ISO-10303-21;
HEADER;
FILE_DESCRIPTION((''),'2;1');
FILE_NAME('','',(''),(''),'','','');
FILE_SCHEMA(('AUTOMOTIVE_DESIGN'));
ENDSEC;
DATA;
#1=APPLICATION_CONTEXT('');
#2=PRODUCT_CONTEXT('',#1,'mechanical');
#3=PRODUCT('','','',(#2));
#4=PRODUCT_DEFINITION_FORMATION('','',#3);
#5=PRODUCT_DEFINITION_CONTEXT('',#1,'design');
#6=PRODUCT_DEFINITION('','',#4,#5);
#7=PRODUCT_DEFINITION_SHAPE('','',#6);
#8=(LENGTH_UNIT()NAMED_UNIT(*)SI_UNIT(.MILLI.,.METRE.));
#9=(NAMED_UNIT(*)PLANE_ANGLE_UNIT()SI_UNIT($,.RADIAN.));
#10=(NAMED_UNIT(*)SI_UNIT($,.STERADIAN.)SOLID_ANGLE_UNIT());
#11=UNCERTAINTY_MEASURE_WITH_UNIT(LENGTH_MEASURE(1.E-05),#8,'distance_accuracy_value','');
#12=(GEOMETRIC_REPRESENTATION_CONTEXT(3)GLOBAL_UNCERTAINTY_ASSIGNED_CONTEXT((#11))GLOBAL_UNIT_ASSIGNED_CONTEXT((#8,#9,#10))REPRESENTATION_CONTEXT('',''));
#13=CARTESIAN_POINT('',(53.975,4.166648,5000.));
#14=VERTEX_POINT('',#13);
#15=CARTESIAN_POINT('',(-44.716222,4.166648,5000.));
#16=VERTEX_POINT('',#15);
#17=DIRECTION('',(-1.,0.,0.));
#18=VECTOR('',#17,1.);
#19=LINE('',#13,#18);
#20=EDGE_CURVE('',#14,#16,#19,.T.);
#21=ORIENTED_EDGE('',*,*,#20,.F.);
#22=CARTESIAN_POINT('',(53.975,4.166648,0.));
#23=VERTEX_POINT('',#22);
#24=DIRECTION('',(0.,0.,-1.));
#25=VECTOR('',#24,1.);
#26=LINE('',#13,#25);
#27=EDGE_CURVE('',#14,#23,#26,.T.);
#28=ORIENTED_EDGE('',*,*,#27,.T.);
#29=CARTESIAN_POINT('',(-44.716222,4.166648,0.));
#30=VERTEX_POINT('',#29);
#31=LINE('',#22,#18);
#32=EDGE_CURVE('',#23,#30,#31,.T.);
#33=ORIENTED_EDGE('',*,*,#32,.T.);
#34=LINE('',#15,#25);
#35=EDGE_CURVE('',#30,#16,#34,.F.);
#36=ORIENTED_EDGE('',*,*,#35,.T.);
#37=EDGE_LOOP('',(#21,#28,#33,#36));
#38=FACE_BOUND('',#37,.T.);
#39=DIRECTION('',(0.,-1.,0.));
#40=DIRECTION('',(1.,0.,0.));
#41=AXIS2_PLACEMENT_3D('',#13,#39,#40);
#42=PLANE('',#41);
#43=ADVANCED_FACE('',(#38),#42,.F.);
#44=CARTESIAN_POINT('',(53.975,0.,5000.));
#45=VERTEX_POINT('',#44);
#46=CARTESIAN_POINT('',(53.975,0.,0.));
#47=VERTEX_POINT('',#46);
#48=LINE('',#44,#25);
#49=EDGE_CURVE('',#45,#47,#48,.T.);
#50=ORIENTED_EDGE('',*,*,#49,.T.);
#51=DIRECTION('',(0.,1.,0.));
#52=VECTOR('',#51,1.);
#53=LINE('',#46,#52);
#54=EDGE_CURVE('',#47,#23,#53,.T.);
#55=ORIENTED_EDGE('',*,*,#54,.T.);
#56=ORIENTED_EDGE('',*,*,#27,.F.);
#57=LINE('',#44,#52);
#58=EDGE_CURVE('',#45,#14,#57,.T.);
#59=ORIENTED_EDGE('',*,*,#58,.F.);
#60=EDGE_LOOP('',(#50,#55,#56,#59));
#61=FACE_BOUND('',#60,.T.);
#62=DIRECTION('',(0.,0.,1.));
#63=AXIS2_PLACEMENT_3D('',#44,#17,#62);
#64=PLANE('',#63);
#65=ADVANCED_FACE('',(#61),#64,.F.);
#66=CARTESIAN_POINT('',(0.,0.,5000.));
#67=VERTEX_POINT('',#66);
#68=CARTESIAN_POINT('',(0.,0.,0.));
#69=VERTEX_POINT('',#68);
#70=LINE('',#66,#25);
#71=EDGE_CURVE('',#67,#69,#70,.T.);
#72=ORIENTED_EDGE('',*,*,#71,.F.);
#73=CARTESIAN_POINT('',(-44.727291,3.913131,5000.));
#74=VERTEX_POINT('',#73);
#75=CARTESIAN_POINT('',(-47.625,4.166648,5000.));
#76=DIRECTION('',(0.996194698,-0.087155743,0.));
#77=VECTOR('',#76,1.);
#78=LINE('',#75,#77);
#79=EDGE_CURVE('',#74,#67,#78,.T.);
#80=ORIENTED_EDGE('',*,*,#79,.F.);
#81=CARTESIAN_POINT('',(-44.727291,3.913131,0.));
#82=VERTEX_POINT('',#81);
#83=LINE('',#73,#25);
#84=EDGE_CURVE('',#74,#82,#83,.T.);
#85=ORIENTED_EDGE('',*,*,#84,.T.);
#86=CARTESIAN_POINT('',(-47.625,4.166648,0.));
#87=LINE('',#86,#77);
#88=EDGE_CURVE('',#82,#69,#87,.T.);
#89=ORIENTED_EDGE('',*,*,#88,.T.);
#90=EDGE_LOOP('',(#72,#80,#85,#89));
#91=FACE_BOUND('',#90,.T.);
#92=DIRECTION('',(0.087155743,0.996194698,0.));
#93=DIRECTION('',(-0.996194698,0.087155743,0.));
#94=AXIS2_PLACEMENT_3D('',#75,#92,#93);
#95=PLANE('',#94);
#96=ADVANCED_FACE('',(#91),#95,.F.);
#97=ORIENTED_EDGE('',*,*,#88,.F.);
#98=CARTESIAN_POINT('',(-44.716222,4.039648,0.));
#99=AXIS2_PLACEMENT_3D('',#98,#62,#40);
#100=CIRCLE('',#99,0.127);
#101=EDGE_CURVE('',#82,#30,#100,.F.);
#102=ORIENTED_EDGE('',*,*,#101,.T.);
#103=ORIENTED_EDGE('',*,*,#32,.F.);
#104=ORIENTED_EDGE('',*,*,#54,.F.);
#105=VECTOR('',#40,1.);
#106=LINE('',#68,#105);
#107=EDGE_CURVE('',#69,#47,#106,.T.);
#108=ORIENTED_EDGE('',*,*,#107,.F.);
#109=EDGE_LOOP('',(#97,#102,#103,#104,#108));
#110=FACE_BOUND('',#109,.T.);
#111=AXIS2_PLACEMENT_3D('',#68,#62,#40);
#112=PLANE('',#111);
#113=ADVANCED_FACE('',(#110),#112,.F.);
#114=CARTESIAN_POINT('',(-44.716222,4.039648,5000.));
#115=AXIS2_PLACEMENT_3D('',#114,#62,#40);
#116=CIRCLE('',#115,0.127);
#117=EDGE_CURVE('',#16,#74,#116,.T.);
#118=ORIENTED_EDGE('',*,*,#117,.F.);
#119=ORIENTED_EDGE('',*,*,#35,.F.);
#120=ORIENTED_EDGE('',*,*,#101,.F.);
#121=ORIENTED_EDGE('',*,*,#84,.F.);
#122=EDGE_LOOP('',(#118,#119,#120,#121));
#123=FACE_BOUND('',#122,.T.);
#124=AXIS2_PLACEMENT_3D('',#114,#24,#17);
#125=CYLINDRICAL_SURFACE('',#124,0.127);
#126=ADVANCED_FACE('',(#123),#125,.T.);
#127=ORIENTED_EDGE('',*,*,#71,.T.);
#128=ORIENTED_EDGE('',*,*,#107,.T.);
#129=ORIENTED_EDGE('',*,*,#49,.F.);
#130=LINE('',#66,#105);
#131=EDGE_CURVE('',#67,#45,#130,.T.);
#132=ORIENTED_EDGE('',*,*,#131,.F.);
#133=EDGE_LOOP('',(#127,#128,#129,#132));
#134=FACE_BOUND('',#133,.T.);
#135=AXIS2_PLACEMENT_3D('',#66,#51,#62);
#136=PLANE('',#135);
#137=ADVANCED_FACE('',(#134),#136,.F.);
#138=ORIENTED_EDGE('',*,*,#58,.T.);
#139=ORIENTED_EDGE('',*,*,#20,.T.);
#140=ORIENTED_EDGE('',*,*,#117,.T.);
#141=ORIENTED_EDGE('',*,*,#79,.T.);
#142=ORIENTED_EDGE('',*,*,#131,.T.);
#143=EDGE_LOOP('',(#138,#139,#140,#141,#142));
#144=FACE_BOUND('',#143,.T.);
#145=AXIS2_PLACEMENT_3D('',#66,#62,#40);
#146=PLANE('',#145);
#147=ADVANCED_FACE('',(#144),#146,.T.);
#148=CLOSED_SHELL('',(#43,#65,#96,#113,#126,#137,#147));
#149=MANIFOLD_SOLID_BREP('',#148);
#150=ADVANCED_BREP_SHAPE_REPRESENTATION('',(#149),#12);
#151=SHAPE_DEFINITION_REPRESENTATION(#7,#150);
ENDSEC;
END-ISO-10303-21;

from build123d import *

# Parameters (mm, degrees)
BOSS_EXTRUDE1_DEPTH = 5000
FILLET1_R           = 0.127


with BuildPart() as part:
    # Sketch1 → Boss-Extrude1 (new body)
    with BuildSketch(Plane.XY):
        Polygon((0, 0), (53.975, 0), (53.975, 4.1666476), (-47.625, 4.1666476), align=None)
    extrude(amount=BOSS_EXTRUDE1_DEPTH)

    # Fillet1
    fillet1_edges = [part.edges().sort_by_distance(p)[0] for p in [
        (-47.625, 4.1666476, 2500),
    ]]
    fillet(fillet1_edges, radius=FILLET1_R)


solid = part.part
